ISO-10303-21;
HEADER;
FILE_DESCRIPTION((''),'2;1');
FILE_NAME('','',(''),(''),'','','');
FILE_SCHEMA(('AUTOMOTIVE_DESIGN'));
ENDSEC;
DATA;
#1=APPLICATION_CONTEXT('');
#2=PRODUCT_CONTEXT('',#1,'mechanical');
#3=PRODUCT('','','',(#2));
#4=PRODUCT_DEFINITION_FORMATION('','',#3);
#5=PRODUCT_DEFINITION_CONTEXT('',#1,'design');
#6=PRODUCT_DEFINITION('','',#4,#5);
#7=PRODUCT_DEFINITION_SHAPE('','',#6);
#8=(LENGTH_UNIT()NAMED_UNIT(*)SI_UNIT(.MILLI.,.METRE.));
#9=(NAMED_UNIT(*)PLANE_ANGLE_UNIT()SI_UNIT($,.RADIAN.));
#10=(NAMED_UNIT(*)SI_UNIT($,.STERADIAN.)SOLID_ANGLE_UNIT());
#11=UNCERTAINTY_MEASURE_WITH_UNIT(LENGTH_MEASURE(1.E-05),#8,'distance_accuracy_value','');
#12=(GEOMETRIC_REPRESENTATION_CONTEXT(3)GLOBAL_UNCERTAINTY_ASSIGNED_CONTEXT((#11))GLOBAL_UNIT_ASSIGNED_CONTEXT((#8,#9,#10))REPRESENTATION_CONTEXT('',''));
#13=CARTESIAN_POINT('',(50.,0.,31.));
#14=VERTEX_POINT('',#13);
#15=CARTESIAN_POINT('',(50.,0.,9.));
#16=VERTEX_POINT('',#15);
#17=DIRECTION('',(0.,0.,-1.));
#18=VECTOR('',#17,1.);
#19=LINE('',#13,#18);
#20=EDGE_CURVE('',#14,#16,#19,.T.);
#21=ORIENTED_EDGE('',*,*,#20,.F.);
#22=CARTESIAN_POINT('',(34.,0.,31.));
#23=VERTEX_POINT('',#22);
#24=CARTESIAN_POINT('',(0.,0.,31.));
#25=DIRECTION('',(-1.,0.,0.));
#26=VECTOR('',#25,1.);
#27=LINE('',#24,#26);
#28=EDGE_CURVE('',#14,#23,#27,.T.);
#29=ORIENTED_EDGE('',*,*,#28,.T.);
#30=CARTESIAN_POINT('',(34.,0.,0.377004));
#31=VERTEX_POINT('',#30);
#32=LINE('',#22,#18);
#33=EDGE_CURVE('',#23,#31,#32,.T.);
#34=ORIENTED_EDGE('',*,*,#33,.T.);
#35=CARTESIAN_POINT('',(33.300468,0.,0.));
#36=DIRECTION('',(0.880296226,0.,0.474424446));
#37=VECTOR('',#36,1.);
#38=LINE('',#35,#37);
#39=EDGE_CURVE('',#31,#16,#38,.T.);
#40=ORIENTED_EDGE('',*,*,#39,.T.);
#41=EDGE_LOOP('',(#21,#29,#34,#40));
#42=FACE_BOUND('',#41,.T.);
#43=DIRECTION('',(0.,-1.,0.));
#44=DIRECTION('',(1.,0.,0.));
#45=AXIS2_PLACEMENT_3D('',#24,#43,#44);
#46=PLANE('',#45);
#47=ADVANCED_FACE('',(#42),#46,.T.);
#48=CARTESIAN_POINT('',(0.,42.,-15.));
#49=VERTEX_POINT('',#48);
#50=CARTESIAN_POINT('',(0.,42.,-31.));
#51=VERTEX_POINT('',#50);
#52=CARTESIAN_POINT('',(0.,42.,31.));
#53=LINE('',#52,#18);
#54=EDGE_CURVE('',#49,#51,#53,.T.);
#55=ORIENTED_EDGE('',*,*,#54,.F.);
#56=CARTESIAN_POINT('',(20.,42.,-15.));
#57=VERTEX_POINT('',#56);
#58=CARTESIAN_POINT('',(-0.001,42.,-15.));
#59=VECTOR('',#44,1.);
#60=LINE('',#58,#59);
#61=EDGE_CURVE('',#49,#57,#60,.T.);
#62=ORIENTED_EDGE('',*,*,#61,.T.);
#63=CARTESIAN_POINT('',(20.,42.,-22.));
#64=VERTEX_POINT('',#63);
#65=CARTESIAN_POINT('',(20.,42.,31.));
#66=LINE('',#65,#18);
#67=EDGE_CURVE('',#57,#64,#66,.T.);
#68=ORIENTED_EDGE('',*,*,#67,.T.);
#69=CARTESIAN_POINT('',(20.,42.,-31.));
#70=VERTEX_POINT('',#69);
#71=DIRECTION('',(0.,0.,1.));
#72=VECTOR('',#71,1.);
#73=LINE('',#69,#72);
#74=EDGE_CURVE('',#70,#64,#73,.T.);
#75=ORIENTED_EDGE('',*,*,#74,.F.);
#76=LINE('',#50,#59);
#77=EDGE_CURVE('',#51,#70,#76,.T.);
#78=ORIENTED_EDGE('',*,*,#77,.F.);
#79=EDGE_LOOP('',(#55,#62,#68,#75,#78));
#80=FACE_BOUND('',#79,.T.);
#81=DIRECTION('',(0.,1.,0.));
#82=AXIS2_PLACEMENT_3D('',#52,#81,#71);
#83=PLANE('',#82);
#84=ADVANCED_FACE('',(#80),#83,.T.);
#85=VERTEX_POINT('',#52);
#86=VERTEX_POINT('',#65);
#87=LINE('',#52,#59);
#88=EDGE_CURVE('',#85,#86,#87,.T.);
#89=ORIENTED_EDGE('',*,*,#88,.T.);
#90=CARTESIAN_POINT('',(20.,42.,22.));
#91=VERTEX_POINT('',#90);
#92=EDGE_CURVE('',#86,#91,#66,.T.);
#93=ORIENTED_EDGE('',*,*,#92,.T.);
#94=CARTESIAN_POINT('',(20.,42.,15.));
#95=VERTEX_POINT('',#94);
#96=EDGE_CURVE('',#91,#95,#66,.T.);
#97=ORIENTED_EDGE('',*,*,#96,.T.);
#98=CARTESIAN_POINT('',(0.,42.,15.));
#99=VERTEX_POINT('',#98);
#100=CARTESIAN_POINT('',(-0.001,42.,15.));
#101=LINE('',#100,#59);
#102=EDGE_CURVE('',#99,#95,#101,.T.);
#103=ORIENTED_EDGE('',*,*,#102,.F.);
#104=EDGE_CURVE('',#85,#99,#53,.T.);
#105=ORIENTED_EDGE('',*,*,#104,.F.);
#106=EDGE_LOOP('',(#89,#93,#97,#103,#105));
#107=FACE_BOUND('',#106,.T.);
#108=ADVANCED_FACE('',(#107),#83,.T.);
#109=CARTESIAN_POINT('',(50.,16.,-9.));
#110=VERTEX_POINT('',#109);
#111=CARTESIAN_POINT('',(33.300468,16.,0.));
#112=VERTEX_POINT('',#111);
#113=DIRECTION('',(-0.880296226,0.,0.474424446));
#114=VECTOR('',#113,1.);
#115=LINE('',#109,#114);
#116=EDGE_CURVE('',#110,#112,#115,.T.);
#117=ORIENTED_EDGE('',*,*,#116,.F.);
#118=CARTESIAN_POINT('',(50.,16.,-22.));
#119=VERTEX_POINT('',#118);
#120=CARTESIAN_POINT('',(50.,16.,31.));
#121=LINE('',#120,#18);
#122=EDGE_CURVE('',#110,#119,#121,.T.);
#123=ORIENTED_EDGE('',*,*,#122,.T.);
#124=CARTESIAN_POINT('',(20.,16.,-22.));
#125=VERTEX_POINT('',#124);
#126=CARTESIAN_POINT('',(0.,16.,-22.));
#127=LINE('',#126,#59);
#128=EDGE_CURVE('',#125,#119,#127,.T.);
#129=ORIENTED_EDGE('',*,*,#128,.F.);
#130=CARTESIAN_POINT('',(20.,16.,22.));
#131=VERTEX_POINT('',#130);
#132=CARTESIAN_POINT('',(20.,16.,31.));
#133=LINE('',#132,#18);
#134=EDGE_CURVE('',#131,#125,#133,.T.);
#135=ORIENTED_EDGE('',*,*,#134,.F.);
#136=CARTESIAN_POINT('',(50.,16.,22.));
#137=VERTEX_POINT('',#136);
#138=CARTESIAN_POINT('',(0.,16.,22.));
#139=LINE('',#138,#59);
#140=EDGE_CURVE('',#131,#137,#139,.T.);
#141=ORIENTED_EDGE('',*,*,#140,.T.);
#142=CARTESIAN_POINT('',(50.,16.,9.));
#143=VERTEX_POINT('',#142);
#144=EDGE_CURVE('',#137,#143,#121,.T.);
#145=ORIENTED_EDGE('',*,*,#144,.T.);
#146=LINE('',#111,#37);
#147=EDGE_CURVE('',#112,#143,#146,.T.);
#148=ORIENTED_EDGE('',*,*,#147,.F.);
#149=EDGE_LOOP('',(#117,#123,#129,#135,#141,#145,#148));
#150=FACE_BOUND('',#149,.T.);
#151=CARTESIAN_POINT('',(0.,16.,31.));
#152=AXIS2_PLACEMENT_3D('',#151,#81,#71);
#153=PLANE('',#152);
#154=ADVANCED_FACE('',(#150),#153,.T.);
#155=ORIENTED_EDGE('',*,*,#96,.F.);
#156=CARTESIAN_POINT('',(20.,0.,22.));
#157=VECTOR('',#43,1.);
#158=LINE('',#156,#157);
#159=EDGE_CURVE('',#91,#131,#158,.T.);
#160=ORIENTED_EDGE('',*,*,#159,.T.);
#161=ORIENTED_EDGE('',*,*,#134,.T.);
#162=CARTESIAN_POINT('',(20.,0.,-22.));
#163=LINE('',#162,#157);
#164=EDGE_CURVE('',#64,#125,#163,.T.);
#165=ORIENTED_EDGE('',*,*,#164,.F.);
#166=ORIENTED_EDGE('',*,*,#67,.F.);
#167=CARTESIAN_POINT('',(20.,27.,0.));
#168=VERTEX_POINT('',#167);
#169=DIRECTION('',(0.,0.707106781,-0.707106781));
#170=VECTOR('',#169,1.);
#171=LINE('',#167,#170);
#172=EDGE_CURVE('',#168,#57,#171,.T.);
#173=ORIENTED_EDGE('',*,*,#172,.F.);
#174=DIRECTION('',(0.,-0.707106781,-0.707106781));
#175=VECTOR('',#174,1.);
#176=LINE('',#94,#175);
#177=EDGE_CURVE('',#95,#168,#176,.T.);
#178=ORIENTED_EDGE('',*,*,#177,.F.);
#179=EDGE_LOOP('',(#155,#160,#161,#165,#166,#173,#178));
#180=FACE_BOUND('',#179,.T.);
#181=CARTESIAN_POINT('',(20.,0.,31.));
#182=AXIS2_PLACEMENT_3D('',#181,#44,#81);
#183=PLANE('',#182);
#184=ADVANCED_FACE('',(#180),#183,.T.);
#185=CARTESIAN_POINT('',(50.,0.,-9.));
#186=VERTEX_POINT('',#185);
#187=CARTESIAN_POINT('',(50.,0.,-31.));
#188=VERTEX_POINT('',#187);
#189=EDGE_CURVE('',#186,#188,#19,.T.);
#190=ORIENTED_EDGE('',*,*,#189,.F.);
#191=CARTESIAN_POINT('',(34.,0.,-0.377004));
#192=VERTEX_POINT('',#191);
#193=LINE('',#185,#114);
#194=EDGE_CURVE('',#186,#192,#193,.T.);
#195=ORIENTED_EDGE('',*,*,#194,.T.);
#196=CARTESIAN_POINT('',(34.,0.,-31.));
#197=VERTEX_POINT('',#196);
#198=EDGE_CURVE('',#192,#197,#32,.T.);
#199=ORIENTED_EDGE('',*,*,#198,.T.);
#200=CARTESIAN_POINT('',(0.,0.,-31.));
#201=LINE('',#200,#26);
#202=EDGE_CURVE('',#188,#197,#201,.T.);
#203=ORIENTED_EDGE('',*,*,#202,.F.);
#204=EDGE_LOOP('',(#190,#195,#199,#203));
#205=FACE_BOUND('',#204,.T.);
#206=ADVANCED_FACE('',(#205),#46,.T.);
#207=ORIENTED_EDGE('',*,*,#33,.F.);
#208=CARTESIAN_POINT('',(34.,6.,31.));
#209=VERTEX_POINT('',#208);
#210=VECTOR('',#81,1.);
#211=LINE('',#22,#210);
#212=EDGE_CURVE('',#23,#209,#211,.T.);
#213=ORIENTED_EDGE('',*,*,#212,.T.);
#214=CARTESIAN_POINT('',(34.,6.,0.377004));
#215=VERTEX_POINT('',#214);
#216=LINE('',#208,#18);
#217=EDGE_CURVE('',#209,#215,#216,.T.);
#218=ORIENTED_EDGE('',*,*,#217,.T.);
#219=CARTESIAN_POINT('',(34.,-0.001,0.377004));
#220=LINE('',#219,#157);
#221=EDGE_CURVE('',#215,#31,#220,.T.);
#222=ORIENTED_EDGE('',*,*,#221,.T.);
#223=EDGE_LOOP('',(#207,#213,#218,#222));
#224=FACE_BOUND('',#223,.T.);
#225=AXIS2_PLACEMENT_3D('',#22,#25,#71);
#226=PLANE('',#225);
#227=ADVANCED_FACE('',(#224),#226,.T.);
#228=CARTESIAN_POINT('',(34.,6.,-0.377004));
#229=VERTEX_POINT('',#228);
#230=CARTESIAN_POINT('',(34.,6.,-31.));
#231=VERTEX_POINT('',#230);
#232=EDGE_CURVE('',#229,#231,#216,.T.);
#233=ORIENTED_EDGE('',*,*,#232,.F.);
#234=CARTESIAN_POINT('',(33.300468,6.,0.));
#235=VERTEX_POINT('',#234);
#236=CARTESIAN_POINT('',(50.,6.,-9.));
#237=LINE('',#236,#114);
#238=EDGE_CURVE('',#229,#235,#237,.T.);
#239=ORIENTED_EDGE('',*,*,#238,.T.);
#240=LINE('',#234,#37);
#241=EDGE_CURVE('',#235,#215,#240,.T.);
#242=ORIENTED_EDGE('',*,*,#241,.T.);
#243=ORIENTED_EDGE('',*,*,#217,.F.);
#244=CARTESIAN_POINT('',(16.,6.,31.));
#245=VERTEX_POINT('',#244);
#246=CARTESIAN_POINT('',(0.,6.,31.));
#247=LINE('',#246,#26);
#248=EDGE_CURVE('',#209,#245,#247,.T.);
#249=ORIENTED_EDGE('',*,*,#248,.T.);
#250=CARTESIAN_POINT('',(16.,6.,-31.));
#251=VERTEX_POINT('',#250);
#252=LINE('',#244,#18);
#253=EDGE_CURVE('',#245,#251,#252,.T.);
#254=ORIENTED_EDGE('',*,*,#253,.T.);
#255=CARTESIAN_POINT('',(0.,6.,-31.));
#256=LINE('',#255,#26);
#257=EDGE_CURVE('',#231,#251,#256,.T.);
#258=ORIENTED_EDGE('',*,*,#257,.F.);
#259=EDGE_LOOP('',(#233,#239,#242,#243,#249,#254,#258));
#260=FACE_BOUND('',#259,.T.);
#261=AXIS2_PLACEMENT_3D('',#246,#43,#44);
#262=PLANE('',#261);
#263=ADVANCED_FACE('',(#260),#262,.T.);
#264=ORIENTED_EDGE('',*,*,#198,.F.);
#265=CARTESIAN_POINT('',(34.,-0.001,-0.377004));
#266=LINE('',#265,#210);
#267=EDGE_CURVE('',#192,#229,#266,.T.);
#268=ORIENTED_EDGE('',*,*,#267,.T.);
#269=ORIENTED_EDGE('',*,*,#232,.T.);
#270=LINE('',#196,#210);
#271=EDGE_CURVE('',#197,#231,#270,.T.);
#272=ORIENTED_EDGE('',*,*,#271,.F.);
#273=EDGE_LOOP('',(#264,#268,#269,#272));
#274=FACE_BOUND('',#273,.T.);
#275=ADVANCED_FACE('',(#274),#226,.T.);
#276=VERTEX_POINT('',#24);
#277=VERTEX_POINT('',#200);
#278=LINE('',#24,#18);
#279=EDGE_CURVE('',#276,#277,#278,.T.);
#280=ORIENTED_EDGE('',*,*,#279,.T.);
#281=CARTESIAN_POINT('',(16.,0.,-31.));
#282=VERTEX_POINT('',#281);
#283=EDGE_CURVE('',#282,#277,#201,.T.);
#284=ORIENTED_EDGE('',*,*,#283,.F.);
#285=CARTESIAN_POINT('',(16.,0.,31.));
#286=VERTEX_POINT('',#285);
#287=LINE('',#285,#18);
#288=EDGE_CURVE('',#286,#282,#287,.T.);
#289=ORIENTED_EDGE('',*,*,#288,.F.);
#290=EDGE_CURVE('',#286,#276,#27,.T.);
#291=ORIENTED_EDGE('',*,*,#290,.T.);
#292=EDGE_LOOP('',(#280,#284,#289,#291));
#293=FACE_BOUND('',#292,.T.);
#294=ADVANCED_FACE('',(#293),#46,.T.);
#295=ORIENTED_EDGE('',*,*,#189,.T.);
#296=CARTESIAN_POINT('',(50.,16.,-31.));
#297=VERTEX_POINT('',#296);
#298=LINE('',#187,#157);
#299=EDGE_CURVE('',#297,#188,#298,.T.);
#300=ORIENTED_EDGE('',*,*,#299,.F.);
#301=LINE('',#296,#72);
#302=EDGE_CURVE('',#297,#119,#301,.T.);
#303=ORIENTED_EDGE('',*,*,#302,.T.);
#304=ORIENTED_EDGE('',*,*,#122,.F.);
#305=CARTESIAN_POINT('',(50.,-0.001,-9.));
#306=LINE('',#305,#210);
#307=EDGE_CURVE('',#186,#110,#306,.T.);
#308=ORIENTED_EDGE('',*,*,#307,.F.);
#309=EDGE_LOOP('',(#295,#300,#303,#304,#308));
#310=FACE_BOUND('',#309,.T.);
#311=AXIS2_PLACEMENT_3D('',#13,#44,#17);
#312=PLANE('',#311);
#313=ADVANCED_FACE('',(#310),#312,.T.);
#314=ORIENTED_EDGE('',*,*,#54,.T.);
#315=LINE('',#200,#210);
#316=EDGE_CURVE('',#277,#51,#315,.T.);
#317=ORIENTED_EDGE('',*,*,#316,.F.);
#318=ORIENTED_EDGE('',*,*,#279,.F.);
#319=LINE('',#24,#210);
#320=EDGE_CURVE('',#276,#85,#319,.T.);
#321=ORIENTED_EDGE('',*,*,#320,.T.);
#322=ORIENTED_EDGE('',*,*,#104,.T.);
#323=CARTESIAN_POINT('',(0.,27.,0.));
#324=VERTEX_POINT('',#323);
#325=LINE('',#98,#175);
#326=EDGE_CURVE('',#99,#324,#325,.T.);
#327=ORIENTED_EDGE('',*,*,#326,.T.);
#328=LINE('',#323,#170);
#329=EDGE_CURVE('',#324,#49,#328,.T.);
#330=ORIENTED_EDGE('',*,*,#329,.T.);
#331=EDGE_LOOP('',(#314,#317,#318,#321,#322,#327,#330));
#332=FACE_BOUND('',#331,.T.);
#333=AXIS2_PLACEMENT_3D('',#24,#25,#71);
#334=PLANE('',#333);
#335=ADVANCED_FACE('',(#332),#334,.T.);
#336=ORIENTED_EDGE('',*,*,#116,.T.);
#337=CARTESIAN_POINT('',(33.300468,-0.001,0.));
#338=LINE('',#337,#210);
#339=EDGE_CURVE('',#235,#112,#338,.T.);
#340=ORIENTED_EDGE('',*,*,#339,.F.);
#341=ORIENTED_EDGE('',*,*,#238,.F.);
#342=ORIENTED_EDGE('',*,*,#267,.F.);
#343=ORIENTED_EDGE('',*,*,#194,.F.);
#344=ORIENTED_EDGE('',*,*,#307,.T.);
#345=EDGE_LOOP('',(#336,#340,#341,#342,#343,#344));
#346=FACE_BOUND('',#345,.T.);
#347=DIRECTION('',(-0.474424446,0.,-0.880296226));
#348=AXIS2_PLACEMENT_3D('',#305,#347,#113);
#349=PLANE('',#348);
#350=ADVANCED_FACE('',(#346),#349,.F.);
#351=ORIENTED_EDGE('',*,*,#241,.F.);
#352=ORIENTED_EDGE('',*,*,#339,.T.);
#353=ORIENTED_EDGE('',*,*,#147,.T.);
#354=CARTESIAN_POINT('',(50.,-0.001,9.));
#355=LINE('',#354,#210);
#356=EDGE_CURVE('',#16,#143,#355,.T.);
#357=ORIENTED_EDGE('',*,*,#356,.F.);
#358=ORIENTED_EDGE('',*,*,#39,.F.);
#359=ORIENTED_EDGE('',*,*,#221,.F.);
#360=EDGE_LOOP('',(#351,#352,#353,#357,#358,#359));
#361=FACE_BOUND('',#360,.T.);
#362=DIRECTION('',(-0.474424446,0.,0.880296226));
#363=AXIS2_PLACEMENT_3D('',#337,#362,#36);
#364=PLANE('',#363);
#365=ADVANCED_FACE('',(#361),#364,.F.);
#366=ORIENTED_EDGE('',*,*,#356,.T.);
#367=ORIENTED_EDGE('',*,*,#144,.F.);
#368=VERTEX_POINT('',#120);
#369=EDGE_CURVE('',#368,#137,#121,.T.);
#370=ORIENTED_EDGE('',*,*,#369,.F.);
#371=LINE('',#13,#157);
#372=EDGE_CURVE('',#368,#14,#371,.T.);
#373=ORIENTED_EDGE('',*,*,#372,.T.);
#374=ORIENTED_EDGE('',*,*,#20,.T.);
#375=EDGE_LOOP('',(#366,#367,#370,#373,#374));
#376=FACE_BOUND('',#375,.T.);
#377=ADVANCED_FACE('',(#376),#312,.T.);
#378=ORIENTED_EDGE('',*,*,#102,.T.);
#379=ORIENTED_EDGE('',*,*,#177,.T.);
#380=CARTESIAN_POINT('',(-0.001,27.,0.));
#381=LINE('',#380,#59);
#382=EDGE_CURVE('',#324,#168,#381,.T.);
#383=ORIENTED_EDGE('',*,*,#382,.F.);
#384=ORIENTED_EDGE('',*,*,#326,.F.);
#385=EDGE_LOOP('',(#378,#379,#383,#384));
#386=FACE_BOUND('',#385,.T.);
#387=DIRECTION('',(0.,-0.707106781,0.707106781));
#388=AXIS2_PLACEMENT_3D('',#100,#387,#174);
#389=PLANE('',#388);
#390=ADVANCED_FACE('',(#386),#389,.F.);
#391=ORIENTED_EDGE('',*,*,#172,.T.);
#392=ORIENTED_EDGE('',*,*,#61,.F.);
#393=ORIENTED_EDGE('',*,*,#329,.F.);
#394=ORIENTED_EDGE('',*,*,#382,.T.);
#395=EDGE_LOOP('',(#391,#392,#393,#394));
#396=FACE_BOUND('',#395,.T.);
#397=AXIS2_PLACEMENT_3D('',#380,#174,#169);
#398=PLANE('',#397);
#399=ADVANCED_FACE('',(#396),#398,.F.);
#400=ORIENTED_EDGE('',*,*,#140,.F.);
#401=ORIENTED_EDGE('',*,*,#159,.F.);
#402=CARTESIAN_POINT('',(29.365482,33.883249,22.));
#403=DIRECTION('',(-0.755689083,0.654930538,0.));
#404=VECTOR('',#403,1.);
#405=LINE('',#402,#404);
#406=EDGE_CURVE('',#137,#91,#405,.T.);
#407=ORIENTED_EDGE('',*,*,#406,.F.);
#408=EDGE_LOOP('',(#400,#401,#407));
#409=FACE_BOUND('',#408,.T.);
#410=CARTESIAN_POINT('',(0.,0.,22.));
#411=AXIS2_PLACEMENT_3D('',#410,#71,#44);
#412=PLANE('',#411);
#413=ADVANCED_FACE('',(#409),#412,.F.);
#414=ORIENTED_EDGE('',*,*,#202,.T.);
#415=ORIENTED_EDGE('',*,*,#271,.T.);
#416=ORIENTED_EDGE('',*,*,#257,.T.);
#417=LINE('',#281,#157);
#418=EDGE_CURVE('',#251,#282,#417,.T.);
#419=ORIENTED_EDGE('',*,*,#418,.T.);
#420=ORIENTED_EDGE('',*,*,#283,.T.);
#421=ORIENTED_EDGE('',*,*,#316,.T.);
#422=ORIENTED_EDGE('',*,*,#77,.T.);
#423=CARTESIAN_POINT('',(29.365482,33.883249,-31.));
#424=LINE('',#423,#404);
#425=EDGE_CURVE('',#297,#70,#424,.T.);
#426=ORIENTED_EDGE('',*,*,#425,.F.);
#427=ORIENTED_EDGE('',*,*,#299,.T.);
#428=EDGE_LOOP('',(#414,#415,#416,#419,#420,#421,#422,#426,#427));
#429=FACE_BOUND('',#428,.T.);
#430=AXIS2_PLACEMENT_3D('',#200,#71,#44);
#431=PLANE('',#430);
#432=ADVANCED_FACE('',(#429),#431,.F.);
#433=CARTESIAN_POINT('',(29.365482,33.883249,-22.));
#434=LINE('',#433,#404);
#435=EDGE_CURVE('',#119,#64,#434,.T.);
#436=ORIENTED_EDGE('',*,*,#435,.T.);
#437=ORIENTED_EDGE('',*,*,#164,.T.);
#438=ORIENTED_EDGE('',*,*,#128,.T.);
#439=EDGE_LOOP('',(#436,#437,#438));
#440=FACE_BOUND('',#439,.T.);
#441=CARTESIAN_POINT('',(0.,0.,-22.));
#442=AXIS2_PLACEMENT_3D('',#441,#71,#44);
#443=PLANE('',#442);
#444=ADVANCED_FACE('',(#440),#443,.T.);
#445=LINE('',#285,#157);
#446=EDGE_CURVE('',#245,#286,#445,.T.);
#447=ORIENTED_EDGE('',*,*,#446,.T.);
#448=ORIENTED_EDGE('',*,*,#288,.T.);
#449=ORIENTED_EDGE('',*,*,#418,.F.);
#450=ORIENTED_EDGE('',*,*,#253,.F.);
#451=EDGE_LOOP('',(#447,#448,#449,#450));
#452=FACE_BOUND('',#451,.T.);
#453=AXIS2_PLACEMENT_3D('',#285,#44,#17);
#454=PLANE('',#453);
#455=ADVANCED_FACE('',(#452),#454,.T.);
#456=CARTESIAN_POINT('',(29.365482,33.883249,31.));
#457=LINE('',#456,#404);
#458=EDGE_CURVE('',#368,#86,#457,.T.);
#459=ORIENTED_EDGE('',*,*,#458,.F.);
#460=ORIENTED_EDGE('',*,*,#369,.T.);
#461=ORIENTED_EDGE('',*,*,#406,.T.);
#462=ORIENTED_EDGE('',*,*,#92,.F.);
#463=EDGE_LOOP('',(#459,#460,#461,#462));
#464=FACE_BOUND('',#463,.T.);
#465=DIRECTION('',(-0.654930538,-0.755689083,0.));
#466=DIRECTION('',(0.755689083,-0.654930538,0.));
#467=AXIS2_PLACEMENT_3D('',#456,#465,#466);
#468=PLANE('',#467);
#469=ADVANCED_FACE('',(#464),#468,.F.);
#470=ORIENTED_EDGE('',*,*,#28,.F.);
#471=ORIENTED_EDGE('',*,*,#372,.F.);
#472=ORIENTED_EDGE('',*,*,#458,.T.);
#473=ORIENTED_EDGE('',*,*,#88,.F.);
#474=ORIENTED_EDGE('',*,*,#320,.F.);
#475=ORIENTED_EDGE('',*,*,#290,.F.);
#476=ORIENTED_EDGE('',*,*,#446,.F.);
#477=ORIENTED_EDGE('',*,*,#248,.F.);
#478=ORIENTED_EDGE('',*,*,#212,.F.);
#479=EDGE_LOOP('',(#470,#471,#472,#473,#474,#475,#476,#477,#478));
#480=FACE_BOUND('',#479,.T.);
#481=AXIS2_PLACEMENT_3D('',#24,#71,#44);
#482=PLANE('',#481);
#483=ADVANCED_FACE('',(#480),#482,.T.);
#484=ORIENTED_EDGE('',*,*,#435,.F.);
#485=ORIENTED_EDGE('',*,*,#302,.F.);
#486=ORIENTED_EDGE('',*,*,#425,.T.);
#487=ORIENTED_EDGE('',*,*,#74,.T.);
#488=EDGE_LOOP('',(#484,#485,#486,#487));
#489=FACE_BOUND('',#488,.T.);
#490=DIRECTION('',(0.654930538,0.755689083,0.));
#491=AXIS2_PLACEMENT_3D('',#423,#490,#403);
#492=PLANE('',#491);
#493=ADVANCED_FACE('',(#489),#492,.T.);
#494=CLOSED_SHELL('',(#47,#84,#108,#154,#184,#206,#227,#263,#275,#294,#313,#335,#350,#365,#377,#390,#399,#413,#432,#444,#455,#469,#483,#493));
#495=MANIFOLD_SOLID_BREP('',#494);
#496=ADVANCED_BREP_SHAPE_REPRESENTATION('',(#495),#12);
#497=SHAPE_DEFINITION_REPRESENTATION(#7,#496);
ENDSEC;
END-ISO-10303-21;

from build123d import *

# Parameters (mm, degrees)
BOSS_EXTRUDE1_DEPTH = 31
BOSS_EXTRUDE3_START = 22
BOSS_EXTRUDE3_DEPTH = 9
BOSS_EXTRUDE4_START = -22
BOSS_EXTRUDE4_DEPTH = 9
CUT_EXTRUDE1_REACH  = 62.208
CUT_EXTRUDE2_REACH  = 66.32


with BuildPart() as part:
    # Sketch1 → Boss-Extrude1 (new, symmetric)
    with BuildSketch(Plane.XY):
        Polygon((0, 42), (0, 0), (16, 0), (16, 6), (34, 6), (34, 0), (50, 0), (50, 16), (20, 16), (20, 42), align=None)
    extrude(amount=BOSS_EXTRUDE1_DEPTH, both=True)

    # Sketch1<7> → Boss-Extrude3 (add)
    with BuildSketch(Plane.XY.offset(BOSS_EXTRUDE3_START)):
        Polygon((50, 16), (20, 42), (20, 16), align=None)
    extrude(amount=BOSS_EXTRUDE3_DEPTH)

    # Sketch1<8> → Boss-Extrude4 (add)
    with BuildSketch(Plane.XY.offset(BOSS_EXTRUDE4_START)):
        Polygon((50, 16), (20, 42), (20, 16), align=None)
    extrude(amount=-BOSS_EXTRUDE4_DEPTH)

    # Sketch2 → Cut-Extrude1 (cut, up to next)
    with BuildSketch(Plane(origin=(20, 0, 0), x_dir=(0, 0, -1), z_dir=(1, 0, 0)), mode=Mode.PRIVATE) as cut_extrude1_sk1:
        Polygon((-15, 42), (0, 27), (15, 42), align=None)
    cut_extrude1_tool1 = extrude(cut_extrude1_sk1.sketch, amount=-CUT_EXTRUDE1_REACH, mode=Mode.PRIVATE) & part.part
    add(cut_extrude1_tool1.solids().sort_by_distance((20, 37, 0))[0], mode=Mode.SUBTRACT)

    # Sketch3 → Cut-Extrude2 (cut, up to next)
    with BuildSketch(Plane(origin=(0, 16, 0), x_dir=(1, 0, 0), z_dir=(0, 1, 0)), mode=Mode.PRIVATE) as cut_extrude2_sk1:
        Polygon((50, 9), (33.300468379, 0), (50, -9), align=None)
    cut_extrude2_tool1 = extrude(cut_extrude2_sk1.sketch, amount=-CUT_EXTRUDE2_REACH, mode=Mode.PRIVATE) & part.part
    add(cut_extrude2_tool1.solids().sort_by_distance((44.433489, 16, 0))[0], mode=Mode.SUBTRACT)


solid = part.part
